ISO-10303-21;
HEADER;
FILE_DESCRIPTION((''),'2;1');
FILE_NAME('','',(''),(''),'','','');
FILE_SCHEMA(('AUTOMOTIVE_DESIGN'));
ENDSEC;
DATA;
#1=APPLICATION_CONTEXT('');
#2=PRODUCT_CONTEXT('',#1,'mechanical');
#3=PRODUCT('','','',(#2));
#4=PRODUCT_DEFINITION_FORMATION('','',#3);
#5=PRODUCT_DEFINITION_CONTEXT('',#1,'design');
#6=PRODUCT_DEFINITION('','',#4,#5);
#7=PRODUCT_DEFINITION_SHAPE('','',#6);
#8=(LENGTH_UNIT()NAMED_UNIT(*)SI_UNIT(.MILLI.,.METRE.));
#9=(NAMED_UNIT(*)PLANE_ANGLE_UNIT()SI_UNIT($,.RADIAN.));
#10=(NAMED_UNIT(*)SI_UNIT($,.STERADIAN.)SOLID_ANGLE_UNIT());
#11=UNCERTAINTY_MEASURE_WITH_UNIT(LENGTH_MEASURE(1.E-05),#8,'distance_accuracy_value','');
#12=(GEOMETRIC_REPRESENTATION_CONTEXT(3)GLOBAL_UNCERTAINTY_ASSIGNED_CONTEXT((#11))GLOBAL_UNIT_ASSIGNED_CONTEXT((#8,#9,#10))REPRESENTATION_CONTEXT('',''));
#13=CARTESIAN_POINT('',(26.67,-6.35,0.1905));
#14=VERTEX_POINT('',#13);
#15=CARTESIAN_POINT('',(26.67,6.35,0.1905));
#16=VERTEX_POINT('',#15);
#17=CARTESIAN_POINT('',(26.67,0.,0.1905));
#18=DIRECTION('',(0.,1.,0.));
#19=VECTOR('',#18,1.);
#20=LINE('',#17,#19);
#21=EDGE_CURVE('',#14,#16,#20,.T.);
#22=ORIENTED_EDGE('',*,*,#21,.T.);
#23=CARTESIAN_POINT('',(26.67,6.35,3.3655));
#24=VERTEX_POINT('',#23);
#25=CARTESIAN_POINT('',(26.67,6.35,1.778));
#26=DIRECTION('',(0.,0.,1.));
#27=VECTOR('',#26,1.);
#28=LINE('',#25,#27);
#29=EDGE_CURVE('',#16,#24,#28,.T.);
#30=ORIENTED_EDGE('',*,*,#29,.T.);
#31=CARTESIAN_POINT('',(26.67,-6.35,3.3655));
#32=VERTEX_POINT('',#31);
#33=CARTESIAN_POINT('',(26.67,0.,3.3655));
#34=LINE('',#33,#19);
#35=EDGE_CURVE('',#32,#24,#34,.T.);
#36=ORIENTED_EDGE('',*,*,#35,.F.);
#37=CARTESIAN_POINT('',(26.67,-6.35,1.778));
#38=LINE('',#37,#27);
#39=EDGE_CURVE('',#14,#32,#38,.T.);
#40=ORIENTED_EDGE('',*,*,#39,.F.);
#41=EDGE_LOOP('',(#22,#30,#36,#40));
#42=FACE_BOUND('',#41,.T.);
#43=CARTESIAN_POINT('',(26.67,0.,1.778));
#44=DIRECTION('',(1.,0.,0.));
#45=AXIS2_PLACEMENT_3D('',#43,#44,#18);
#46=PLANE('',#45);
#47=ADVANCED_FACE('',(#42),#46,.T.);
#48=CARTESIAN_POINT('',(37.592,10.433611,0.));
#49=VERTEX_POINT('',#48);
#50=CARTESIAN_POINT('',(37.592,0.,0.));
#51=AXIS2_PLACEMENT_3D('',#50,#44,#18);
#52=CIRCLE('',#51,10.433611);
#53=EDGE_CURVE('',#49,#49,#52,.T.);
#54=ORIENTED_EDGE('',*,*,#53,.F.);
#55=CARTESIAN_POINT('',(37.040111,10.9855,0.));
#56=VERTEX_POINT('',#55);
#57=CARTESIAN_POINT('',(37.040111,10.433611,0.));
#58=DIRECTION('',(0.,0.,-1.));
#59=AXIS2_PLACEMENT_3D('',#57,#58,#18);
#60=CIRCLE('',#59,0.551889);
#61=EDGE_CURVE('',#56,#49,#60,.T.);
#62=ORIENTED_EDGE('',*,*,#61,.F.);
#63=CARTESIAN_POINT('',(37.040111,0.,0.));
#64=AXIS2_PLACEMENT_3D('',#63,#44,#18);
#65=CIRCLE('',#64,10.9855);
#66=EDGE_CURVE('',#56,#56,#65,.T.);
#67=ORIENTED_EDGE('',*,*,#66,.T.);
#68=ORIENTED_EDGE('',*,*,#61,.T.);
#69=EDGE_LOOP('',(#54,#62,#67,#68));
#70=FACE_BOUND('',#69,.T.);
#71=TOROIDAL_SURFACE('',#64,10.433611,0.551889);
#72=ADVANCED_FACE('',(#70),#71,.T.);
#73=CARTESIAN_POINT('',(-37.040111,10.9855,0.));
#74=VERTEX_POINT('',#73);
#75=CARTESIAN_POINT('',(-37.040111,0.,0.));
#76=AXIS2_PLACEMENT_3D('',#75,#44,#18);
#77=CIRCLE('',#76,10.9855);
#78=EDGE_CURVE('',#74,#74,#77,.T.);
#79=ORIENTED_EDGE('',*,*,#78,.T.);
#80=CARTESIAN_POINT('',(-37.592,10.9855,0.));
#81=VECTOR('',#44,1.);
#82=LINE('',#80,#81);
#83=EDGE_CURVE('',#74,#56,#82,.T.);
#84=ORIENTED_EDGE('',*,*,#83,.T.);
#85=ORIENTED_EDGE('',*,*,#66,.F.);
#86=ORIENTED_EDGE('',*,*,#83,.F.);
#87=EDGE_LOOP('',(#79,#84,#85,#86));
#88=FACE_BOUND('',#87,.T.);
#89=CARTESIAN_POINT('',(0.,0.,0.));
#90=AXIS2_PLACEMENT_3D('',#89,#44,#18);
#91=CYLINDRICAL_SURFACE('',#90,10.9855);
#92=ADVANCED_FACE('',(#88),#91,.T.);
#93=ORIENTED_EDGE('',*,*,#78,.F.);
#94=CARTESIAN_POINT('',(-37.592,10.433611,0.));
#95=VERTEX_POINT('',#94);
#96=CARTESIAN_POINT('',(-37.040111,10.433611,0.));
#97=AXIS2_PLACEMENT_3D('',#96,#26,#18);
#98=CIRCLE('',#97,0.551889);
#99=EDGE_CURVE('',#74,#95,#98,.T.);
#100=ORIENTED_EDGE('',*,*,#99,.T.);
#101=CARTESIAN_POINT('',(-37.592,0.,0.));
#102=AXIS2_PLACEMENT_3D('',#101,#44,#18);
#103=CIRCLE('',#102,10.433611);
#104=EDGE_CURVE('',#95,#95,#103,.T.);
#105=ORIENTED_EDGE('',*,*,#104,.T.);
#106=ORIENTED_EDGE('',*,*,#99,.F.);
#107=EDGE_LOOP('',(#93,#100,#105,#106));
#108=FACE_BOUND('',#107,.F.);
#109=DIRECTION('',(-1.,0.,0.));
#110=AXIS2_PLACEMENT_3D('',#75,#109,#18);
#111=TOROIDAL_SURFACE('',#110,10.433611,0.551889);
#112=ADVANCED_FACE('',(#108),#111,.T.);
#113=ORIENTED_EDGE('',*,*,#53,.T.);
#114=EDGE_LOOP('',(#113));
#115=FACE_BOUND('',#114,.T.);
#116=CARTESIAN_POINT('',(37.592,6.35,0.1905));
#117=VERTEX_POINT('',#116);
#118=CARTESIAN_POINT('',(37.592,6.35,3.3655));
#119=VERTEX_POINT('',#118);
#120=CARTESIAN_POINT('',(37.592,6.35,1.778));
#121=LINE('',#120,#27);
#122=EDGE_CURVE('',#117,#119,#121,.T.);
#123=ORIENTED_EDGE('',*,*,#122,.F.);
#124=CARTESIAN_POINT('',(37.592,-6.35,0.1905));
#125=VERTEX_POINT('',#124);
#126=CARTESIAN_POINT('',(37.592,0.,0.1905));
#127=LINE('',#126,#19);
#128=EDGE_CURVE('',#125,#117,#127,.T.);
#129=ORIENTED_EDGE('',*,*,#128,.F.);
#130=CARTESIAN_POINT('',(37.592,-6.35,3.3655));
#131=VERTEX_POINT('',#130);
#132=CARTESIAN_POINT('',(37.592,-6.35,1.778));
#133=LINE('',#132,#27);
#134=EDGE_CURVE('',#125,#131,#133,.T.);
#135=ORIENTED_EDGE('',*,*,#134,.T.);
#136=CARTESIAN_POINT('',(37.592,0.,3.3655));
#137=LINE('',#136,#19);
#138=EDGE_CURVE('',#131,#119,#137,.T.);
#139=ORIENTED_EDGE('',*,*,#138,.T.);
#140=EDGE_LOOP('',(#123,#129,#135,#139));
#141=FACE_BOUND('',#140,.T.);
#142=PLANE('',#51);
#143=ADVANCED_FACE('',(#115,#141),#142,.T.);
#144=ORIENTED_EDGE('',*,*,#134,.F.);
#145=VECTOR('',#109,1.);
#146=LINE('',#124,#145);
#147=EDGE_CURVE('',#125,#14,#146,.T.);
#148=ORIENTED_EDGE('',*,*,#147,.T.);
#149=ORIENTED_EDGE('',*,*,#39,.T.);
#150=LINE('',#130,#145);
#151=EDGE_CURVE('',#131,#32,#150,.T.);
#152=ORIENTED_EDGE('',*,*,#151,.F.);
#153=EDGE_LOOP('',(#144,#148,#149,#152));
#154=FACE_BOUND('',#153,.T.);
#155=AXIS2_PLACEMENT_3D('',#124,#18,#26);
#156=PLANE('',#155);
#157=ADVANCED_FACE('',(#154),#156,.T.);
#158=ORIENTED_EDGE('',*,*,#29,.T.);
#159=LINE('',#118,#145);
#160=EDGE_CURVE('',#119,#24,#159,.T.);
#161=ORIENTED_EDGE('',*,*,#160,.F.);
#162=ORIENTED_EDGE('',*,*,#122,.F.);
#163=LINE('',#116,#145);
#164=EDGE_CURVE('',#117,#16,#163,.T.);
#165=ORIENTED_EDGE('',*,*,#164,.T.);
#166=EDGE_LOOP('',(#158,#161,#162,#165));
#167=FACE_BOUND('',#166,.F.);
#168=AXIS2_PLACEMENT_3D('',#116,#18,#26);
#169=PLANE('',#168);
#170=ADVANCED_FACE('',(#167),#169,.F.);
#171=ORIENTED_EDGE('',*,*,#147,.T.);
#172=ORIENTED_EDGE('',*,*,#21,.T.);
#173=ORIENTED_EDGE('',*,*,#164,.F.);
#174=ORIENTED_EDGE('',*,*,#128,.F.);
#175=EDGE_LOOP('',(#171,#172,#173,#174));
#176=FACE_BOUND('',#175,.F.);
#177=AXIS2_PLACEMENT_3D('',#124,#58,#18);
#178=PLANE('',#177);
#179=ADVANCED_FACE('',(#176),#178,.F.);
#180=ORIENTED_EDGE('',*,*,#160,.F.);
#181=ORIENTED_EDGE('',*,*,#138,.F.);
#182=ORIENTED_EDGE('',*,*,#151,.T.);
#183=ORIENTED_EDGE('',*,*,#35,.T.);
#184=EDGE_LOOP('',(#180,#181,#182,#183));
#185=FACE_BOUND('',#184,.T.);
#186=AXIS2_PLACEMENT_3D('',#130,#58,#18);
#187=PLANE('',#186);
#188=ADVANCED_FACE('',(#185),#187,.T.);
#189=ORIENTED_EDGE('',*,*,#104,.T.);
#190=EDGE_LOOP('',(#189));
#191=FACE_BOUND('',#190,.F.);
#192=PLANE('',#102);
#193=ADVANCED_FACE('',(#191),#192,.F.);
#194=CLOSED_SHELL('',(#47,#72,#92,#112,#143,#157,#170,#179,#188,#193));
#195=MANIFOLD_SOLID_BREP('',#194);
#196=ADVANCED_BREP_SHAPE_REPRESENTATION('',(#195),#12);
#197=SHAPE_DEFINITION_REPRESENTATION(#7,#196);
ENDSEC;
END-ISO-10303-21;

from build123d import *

# Parameters (mm, degrees)
F0_R     = 10.9855
F1_DEPTH = 37.592
F2_W     = 12.7
F2_H     = 3.175
F3_DEPTH = 10.922
F4_R     = 0.5518892204


with BuildPart() as f1:
    # F0 (on Right) → F1 (new body, symmetric)
    with BuildSketch(Plane.YZ):
        Circle(F0_R)
    extrude(amount=F1_DEPTH, both=True)

    # F2 (on face) → F3 (cut)
    with BuildSketch(Plane.YZ.offset(37.592)):
        with Locations((0, 1.778)):
            Rectangle(F2_W, F2_H)
    extrude(amount=-F3_DEPTH, mode=Mode.SUBTRACT)

    # F4
    f4_edges = [f1.edges().sort_by_distance(p)[0] for p in [
        (37.592, -10.9855, 0),
        (-37.592, -10.9855, 0),
    ]]
    fillet(f4_edges, radius=F4_R)


solid = f1.part
